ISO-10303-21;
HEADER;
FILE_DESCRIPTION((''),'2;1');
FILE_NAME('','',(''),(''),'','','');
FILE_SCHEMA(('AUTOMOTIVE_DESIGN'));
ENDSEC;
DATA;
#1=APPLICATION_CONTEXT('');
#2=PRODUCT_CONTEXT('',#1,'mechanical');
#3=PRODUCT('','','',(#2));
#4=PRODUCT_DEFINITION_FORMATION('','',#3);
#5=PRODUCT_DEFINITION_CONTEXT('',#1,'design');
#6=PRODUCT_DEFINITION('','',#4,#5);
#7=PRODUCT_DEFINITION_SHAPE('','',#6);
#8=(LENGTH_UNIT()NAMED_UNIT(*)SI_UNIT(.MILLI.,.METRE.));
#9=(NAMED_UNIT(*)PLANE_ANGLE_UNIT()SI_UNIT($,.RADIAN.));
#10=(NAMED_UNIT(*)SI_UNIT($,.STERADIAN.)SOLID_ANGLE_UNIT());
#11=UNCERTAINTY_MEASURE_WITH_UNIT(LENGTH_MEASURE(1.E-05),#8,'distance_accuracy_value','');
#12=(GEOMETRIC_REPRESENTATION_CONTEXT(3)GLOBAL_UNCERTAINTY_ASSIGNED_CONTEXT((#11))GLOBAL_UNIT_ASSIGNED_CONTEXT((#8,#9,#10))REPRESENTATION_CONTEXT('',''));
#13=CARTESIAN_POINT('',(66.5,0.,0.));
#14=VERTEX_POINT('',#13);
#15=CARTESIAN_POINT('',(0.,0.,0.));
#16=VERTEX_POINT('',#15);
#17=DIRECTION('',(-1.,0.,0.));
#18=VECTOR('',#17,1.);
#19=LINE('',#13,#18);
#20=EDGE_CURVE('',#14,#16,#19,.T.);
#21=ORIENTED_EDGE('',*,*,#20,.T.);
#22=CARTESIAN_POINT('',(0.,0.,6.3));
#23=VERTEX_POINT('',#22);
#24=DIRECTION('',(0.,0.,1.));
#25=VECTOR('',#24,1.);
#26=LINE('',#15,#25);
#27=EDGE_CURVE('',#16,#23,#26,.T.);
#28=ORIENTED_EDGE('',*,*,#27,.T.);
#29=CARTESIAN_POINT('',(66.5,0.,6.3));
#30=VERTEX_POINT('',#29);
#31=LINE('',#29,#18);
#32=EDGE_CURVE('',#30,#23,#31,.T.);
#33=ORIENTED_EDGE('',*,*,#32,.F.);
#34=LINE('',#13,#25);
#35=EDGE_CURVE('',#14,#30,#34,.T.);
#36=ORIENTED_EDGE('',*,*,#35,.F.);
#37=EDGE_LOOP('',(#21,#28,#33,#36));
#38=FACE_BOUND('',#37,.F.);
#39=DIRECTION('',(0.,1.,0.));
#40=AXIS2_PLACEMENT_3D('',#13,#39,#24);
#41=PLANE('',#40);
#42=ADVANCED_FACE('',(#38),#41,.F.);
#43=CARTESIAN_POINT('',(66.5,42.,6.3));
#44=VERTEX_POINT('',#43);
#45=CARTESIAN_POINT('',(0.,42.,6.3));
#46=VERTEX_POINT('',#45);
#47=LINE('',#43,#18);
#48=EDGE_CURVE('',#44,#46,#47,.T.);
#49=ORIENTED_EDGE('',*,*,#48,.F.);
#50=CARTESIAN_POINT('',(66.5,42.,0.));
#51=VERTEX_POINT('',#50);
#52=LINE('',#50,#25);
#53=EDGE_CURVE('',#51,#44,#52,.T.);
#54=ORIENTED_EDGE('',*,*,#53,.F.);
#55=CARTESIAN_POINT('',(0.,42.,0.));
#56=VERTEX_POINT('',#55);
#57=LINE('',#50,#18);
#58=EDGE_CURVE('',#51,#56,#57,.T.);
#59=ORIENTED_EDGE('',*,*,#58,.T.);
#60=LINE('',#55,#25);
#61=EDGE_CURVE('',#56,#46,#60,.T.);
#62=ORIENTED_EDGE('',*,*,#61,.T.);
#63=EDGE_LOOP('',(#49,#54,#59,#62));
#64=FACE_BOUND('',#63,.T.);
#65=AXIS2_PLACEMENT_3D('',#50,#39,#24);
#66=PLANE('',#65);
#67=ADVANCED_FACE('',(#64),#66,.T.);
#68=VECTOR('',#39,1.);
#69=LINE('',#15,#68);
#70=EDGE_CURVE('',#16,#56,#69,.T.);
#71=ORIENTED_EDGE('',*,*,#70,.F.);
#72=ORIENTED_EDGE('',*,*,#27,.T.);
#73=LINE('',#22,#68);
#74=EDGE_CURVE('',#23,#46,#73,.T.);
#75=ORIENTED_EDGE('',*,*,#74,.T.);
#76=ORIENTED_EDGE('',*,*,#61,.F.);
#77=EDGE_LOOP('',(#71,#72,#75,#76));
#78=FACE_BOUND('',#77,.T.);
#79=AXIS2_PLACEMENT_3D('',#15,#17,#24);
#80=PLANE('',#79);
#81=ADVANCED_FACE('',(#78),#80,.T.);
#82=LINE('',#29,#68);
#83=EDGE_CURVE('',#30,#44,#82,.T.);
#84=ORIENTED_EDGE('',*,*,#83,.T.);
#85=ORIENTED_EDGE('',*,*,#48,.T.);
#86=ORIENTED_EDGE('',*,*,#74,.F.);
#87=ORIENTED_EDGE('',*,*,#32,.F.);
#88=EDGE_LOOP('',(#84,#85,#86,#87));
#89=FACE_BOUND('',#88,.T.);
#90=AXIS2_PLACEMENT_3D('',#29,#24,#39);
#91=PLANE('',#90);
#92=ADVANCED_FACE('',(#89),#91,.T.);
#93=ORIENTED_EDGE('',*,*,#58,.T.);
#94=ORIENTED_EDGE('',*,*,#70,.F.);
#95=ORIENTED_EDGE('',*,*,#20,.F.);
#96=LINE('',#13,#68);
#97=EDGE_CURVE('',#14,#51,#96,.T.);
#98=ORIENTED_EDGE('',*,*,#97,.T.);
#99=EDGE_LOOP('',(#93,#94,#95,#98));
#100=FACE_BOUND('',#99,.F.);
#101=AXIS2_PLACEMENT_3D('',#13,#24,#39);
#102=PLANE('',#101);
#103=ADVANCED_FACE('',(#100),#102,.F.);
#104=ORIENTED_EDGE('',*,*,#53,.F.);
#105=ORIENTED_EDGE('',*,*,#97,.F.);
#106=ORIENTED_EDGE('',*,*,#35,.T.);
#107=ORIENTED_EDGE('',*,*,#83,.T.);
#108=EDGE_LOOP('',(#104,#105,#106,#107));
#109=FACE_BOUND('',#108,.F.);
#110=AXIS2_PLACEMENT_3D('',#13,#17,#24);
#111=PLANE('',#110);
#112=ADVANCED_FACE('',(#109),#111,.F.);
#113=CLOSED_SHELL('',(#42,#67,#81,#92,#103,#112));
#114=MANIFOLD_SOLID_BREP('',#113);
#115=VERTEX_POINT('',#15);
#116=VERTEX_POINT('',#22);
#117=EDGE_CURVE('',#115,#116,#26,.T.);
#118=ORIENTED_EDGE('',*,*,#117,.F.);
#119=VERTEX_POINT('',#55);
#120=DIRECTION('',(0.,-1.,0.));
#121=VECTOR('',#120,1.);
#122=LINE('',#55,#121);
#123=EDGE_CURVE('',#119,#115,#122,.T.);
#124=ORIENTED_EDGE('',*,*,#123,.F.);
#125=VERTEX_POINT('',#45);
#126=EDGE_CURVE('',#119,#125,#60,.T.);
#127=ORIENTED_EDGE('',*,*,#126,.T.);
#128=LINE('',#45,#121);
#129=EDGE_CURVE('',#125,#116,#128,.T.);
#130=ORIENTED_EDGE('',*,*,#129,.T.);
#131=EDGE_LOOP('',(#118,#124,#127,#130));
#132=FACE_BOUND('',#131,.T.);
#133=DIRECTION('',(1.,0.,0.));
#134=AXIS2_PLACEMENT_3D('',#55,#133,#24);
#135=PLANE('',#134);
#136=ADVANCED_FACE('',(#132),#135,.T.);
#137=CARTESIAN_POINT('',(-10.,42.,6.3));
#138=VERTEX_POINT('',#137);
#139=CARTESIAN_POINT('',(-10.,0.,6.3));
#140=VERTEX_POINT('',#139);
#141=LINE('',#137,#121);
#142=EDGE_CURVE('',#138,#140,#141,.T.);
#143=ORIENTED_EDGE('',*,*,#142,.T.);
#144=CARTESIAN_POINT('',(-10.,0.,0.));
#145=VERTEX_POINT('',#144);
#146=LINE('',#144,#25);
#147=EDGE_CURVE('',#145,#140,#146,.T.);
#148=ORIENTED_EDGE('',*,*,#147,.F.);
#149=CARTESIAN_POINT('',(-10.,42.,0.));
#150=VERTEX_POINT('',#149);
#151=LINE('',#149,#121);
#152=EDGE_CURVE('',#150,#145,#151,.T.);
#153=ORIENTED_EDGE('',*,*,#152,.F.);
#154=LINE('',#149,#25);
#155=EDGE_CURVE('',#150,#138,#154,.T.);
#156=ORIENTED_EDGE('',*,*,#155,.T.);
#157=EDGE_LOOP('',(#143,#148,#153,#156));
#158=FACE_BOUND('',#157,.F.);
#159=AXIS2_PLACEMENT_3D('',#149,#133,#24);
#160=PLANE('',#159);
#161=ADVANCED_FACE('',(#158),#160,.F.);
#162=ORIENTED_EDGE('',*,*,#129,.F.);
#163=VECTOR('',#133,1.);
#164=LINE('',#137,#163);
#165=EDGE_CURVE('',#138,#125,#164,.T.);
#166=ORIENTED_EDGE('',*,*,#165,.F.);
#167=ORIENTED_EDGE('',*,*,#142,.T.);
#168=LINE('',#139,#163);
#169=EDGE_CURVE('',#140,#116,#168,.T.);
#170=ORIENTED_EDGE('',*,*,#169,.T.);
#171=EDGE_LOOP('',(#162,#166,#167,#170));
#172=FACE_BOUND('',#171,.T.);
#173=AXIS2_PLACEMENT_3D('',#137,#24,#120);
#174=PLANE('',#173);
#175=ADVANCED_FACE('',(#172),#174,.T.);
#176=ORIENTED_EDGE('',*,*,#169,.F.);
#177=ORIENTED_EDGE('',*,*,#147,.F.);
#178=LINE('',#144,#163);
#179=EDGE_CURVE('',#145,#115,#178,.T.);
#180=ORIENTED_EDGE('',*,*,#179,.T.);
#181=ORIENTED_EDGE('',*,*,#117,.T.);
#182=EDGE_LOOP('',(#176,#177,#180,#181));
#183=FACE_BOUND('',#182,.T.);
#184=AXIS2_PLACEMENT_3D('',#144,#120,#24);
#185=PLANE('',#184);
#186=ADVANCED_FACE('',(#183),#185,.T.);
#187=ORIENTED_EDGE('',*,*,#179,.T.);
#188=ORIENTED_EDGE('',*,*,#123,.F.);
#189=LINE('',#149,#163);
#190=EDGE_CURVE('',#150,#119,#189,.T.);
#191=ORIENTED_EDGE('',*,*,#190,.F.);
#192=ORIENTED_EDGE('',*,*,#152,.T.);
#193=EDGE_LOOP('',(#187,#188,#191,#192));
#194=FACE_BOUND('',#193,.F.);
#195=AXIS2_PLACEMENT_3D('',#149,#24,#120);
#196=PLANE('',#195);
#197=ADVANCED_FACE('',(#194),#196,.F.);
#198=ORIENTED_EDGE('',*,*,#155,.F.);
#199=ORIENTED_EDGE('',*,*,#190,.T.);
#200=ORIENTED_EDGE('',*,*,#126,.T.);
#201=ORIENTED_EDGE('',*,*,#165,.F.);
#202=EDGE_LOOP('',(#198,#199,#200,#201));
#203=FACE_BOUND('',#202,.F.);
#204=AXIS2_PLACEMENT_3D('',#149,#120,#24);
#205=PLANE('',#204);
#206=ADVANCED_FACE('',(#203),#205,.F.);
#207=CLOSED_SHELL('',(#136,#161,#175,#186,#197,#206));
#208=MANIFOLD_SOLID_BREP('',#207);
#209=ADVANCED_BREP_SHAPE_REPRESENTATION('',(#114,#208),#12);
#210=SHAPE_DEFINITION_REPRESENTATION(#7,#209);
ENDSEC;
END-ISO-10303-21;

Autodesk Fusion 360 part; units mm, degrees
sketch "Sketch8" plane through (0, 0, 6.3) normal (0, 0, 1) x (-1, 0, 0)
sketch "Sketch10" plane through (0, 0, 6.3) normal (0, 0, 1) x (-1, 0, 0)
sketch "Sketch11" plane through (0, 0, 0) normal (0, -1, 0) x (1, 0, 0)
sketch "Sketch12" plane through (0, 0, 0) normal (0, 0, -1) x (1, 0, 0)
sketch "Sketch13" plane through (0, 42, 0) normal (0, 1, 0) x (-1, 0, 0)
box "BoxPrimitive9" add length 42 width 66.5 height 6.3 placed x (0, 1, 0) y (-1, 0, 0) z (0, 0, 1) at (66.5, 0, 0) makes body 1
box "BoxPrimitive10" add length 42 width 10 height -6.3 placed x (0, -1, 0) y (1, 0, 0) z (0, 0, 1) at (-10, 42, 6.3) separate body makes body 2
copy_body "Body->Comp1" bodies 2 removing the originals makes body 3 in component "Component'"
copy_body "Body->Comp2" bodies 1 removing the originals makes body 4 in component "Component''"
component "Component" placed x (1, 0, 0) y (0, 1, 0) z (0, 0, 1) at (0, 0, 0)
component "Component'" placed x (1, 0, 0) y (0, 1, 0) z (0, 0, 1) at (0, 0, 0)
component "Component''" placed x (1, 0, 0) y (0, 1, 0) z (0, 0, 1) at (0, 0, 0)
